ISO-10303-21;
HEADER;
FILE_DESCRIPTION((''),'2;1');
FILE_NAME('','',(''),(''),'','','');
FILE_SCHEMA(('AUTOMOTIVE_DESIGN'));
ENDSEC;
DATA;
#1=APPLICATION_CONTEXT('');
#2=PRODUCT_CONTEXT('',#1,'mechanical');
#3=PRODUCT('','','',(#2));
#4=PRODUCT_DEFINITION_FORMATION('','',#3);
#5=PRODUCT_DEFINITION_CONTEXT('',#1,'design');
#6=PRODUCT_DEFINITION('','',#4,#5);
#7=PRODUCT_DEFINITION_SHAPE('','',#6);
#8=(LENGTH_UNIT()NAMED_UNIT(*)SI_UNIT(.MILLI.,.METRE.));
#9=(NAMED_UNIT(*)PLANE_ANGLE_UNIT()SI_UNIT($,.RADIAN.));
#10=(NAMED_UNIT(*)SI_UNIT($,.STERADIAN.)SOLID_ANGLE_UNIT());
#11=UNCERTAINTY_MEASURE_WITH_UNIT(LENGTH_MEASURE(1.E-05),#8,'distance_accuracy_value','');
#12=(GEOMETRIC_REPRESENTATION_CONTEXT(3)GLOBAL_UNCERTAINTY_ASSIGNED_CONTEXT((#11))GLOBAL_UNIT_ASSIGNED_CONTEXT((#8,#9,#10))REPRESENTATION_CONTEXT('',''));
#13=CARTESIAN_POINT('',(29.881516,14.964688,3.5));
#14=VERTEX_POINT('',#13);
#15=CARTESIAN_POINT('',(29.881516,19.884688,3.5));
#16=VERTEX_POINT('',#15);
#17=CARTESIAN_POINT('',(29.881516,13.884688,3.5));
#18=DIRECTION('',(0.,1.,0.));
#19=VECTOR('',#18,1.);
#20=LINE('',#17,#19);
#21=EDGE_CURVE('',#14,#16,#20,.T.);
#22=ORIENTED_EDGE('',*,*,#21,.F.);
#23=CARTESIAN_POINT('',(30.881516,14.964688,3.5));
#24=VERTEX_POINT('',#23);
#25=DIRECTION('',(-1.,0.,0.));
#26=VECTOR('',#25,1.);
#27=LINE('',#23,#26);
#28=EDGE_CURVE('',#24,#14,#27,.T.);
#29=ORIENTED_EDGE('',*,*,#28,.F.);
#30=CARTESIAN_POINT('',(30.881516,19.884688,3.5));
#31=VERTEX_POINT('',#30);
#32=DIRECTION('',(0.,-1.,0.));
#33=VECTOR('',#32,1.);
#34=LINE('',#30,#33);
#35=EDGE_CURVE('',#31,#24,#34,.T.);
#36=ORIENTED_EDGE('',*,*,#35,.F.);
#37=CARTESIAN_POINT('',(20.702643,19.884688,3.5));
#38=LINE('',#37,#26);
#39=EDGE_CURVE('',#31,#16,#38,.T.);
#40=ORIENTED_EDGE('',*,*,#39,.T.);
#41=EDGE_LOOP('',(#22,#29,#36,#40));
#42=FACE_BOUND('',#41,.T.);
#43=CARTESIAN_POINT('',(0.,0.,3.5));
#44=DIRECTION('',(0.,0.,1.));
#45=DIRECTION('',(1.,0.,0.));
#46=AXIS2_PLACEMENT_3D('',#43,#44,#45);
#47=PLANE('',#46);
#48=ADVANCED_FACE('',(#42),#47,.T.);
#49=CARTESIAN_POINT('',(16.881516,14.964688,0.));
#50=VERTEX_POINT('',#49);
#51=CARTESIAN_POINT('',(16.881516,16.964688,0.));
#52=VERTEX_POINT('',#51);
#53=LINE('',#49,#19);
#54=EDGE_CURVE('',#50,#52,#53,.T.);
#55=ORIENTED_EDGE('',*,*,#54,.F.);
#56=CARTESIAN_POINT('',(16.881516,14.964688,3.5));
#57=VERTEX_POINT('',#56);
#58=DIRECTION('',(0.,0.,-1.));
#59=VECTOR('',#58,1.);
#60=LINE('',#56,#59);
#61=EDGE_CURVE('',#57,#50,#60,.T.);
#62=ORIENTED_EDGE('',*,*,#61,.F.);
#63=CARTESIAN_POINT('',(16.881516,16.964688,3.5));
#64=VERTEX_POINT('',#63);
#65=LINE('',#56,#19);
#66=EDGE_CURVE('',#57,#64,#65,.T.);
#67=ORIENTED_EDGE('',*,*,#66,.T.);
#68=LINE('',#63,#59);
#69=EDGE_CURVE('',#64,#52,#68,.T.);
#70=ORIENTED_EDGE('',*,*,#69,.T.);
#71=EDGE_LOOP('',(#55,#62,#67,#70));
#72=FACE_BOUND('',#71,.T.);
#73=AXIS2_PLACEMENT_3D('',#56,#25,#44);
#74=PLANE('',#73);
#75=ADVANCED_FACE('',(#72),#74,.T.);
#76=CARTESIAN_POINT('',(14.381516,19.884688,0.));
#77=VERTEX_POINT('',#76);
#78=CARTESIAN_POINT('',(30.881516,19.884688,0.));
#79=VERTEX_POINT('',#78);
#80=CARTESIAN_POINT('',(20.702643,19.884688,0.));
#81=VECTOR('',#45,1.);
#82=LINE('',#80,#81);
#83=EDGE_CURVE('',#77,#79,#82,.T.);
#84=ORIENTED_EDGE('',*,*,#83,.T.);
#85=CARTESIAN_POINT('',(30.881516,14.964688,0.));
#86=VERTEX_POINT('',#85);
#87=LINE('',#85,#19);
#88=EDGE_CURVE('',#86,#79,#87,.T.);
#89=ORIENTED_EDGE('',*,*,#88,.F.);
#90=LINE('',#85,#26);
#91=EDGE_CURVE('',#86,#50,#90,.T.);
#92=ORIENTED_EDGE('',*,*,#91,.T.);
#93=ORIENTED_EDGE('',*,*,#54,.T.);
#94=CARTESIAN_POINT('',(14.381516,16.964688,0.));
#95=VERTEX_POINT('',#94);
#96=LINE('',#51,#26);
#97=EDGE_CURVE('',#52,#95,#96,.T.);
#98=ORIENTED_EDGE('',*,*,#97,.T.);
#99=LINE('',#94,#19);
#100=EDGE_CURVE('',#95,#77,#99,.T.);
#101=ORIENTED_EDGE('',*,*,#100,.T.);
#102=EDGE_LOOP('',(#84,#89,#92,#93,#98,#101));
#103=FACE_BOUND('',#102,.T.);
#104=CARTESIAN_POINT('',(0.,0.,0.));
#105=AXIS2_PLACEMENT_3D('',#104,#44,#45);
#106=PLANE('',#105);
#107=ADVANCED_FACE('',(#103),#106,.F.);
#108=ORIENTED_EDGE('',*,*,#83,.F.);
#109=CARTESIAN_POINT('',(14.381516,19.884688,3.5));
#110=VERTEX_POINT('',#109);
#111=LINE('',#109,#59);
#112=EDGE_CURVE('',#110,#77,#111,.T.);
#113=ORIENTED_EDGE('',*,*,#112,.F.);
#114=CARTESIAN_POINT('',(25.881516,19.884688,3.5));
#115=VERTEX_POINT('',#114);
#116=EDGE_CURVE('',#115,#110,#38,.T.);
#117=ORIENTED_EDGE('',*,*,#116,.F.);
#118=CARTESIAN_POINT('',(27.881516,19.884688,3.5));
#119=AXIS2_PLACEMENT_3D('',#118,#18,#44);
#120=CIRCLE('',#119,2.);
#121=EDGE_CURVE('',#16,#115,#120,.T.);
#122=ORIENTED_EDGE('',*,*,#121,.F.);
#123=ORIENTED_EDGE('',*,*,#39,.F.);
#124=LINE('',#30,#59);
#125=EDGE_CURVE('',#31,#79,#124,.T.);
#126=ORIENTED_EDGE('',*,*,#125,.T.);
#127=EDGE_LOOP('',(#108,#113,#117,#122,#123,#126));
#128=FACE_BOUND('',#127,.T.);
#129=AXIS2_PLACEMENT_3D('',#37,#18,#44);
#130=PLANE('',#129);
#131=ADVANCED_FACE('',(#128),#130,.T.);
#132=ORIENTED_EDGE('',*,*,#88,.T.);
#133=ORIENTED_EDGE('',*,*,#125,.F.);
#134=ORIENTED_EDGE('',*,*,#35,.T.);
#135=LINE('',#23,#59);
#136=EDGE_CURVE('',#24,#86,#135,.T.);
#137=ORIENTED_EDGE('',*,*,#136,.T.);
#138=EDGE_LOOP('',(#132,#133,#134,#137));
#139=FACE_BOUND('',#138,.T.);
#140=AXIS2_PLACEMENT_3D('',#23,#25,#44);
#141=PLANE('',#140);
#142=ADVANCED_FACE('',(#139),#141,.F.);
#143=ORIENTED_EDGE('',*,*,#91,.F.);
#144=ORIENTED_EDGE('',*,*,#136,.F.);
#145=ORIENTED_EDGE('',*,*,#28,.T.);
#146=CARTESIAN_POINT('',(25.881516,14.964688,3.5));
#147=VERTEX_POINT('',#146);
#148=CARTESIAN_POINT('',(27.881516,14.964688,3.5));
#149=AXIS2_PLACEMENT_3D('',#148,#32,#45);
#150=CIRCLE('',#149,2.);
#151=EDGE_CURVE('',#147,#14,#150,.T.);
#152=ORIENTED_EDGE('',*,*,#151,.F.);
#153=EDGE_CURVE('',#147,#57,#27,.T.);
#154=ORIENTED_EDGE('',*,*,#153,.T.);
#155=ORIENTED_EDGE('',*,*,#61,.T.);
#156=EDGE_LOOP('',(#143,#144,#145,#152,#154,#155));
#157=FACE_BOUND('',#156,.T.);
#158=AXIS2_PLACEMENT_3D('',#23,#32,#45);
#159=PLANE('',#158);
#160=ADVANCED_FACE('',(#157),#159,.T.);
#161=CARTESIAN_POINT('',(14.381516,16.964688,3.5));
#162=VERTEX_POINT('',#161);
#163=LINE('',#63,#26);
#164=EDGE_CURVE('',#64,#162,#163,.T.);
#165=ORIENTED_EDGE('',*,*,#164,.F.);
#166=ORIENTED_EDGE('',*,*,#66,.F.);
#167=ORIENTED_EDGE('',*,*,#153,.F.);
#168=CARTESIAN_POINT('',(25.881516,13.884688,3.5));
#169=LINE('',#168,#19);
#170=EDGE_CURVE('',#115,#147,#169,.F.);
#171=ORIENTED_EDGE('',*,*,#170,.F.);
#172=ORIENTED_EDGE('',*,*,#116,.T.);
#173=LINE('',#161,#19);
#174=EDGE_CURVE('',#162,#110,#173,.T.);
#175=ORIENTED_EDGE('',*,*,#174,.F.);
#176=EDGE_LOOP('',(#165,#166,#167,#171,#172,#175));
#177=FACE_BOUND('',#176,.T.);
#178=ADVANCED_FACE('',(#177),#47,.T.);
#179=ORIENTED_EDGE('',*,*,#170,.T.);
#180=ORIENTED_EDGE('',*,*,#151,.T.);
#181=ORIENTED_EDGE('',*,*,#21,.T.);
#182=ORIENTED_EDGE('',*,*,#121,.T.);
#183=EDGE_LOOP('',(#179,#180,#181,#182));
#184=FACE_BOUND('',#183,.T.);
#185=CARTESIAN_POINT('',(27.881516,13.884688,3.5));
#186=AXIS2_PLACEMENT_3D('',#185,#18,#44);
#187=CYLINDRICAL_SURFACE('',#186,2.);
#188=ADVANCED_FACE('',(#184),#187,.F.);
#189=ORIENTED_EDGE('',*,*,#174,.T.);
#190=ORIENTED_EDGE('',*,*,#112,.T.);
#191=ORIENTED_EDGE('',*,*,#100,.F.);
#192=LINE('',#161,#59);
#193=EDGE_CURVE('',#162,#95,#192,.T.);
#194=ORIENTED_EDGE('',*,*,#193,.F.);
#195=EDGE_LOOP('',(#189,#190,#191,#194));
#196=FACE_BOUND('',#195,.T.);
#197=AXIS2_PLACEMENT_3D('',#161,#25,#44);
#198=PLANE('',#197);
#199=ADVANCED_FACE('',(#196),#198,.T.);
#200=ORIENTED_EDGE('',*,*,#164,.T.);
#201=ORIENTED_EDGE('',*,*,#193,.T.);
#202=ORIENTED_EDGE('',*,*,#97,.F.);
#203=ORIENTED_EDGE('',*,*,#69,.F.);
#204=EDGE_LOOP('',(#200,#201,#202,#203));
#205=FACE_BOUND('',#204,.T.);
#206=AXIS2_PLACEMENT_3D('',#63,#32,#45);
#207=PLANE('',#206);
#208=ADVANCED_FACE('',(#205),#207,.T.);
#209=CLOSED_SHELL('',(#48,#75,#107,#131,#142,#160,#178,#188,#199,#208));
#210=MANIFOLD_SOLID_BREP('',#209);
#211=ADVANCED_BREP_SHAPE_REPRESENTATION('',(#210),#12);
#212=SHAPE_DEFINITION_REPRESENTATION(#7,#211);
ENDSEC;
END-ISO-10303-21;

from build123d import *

# Parameters (mm, degrees)
BOSS_EXTRUDE2_DEPTH = 3.5
CUT_EXTRUDE1_DEPTH  = 6


with BuildPart() as part:
    # Sketch4 → Boss-Extrude2 (new body)
    with BuildSketch(Plane.XY):
        Polygon((30.881516436, 14.964687786), (16.881516436, 14.964687786), (16.881516436, 16.964687786), (14.381516436, 16.964687786), (14.381516436, 19.884687786), (20.702643433, 19.884687786), (30.881516436, 19.884687786), (30.881516436, 16.964687786), align=None)
    extrude(amount=BOSS_EXTRUDE2_DEPTH)

    # Sketch5 → Cut-Extrude1 (cut)
    with BuildSketch(Plane(origin=(0, 19.884687786, 0), x_dir=(1, 0, 0), z_dir=(0, 1, 0))):
        with BuildLine():
            Line((27.881516436, -3.5), (29.881516436, -3.5))
            ThreePointArc((29.881516436, -3.5), (27.881516436, -1.5), (25.881516436, -3.5))
            Line((25.881516436, -3.5), (27.881516436, -3.5))
        make_face()
    extrude(amount=-CUT_EXTRUDE1_DEPTH, mode=Mode.SUBTRACT)


solid = part.part
